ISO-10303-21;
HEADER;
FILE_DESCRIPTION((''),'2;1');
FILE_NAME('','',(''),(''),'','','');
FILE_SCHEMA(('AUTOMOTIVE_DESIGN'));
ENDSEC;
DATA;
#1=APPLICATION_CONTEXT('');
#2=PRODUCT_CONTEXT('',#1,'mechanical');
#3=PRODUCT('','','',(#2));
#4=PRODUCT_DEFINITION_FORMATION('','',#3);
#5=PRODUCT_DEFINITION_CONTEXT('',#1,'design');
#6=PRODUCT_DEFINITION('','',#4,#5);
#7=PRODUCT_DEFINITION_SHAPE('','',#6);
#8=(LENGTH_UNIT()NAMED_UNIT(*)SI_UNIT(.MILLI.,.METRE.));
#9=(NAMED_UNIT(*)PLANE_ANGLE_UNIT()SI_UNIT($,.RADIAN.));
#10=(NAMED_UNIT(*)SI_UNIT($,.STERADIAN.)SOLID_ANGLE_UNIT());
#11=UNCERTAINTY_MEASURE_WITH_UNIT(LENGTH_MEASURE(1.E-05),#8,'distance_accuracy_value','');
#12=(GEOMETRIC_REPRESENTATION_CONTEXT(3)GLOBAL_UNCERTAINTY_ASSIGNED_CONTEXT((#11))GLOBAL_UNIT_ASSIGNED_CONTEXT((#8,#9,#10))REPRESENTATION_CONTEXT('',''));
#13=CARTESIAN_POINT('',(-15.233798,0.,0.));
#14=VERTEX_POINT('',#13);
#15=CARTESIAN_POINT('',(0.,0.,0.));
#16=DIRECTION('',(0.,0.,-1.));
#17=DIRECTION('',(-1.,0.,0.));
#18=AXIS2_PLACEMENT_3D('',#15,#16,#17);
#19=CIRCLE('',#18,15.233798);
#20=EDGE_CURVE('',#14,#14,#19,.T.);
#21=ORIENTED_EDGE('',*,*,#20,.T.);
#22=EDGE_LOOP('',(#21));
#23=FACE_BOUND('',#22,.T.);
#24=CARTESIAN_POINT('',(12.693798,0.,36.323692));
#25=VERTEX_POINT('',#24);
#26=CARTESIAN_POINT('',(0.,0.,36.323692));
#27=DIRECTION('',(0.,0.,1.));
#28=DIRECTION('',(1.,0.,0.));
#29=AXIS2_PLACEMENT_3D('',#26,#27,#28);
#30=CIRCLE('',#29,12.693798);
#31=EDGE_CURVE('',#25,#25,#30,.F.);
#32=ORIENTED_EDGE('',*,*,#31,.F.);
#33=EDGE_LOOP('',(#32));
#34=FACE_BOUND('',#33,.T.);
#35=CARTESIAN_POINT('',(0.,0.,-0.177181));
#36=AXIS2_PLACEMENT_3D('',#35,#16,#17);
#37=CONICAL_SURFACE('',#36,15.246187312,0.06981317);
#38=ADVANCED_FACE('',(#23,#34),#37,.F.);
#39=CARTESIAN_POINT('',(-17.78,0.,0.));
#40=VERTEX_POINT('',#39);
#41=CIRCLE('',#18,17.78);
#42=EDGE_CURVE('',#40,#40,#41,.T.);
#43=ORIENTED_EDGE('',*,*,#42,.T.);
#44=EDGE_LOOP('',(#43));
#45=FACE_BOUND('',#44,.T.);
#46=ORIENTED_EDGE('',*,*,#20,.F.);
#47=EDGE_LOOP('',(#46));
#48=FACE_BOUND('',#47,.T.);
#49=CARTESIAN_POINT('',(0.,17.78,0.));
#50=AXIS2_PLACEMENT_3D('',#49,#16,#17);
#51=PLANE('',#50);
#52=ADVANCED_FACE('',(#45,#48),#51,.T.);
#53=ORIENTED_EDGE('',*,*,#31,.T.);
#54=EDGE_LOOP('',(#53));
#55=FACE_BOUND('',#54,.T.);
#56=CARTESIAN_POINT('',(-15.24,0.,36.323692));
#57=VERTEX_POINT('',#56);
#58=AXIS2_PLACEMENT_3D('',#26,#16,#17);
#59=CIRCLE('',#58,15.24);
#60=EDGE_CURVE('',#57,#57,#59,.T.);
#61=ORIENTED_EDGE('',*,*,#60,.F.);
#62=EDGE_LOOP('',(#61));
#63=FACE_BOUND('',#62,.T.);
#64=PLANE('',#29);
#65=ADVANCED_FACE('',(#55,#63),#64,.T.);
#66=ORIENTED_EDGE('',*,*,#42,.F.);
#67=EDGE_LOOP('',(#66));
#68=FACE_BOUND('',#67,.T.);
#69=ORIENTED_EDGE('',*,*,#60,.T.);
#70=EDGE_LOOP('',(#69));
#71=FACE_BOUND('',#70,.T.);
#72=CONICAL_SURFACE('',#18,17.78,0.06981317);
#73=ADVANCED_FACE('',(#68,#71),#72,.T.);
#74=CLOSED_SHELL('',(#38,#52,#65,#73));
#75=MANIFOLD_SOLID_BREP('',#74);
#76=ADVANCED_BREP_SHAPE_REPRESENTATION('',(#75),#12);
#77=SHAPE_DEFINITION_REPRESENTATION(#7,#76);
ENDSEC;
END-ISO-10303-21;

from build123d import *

# Parameters (mm, degrees)
SHELL2_T = -2.54


with BuildPart() as part:
    # Sketch1 → Revolve1 (revolve)
    with BuildSketch(Plane.YZ, mode=Mode.PRIVATE) as revolve1_sk:
        Polygon((0, 0), (0, 36.323692292), (15.24, 36.323692292), (17.78, 0), align=None)
    revolve(revolve1_sk.sketch.rotate(Axis((0, 0, 0), (0, 0, 1)), 90), axis=Axis((0, 0, 0), (0, 0, 1)))

    # Shell2
    shell2_openings = [part.faces().sort_by_distance(p)[0] for p in [
        (0, 0, 36.323692292),
        (0, 0, 0),
    ]]
    offset(amount=SHELL2_T, openings=shell2_openings, kind=Kind.INTERSECTION)


solid = part.part
